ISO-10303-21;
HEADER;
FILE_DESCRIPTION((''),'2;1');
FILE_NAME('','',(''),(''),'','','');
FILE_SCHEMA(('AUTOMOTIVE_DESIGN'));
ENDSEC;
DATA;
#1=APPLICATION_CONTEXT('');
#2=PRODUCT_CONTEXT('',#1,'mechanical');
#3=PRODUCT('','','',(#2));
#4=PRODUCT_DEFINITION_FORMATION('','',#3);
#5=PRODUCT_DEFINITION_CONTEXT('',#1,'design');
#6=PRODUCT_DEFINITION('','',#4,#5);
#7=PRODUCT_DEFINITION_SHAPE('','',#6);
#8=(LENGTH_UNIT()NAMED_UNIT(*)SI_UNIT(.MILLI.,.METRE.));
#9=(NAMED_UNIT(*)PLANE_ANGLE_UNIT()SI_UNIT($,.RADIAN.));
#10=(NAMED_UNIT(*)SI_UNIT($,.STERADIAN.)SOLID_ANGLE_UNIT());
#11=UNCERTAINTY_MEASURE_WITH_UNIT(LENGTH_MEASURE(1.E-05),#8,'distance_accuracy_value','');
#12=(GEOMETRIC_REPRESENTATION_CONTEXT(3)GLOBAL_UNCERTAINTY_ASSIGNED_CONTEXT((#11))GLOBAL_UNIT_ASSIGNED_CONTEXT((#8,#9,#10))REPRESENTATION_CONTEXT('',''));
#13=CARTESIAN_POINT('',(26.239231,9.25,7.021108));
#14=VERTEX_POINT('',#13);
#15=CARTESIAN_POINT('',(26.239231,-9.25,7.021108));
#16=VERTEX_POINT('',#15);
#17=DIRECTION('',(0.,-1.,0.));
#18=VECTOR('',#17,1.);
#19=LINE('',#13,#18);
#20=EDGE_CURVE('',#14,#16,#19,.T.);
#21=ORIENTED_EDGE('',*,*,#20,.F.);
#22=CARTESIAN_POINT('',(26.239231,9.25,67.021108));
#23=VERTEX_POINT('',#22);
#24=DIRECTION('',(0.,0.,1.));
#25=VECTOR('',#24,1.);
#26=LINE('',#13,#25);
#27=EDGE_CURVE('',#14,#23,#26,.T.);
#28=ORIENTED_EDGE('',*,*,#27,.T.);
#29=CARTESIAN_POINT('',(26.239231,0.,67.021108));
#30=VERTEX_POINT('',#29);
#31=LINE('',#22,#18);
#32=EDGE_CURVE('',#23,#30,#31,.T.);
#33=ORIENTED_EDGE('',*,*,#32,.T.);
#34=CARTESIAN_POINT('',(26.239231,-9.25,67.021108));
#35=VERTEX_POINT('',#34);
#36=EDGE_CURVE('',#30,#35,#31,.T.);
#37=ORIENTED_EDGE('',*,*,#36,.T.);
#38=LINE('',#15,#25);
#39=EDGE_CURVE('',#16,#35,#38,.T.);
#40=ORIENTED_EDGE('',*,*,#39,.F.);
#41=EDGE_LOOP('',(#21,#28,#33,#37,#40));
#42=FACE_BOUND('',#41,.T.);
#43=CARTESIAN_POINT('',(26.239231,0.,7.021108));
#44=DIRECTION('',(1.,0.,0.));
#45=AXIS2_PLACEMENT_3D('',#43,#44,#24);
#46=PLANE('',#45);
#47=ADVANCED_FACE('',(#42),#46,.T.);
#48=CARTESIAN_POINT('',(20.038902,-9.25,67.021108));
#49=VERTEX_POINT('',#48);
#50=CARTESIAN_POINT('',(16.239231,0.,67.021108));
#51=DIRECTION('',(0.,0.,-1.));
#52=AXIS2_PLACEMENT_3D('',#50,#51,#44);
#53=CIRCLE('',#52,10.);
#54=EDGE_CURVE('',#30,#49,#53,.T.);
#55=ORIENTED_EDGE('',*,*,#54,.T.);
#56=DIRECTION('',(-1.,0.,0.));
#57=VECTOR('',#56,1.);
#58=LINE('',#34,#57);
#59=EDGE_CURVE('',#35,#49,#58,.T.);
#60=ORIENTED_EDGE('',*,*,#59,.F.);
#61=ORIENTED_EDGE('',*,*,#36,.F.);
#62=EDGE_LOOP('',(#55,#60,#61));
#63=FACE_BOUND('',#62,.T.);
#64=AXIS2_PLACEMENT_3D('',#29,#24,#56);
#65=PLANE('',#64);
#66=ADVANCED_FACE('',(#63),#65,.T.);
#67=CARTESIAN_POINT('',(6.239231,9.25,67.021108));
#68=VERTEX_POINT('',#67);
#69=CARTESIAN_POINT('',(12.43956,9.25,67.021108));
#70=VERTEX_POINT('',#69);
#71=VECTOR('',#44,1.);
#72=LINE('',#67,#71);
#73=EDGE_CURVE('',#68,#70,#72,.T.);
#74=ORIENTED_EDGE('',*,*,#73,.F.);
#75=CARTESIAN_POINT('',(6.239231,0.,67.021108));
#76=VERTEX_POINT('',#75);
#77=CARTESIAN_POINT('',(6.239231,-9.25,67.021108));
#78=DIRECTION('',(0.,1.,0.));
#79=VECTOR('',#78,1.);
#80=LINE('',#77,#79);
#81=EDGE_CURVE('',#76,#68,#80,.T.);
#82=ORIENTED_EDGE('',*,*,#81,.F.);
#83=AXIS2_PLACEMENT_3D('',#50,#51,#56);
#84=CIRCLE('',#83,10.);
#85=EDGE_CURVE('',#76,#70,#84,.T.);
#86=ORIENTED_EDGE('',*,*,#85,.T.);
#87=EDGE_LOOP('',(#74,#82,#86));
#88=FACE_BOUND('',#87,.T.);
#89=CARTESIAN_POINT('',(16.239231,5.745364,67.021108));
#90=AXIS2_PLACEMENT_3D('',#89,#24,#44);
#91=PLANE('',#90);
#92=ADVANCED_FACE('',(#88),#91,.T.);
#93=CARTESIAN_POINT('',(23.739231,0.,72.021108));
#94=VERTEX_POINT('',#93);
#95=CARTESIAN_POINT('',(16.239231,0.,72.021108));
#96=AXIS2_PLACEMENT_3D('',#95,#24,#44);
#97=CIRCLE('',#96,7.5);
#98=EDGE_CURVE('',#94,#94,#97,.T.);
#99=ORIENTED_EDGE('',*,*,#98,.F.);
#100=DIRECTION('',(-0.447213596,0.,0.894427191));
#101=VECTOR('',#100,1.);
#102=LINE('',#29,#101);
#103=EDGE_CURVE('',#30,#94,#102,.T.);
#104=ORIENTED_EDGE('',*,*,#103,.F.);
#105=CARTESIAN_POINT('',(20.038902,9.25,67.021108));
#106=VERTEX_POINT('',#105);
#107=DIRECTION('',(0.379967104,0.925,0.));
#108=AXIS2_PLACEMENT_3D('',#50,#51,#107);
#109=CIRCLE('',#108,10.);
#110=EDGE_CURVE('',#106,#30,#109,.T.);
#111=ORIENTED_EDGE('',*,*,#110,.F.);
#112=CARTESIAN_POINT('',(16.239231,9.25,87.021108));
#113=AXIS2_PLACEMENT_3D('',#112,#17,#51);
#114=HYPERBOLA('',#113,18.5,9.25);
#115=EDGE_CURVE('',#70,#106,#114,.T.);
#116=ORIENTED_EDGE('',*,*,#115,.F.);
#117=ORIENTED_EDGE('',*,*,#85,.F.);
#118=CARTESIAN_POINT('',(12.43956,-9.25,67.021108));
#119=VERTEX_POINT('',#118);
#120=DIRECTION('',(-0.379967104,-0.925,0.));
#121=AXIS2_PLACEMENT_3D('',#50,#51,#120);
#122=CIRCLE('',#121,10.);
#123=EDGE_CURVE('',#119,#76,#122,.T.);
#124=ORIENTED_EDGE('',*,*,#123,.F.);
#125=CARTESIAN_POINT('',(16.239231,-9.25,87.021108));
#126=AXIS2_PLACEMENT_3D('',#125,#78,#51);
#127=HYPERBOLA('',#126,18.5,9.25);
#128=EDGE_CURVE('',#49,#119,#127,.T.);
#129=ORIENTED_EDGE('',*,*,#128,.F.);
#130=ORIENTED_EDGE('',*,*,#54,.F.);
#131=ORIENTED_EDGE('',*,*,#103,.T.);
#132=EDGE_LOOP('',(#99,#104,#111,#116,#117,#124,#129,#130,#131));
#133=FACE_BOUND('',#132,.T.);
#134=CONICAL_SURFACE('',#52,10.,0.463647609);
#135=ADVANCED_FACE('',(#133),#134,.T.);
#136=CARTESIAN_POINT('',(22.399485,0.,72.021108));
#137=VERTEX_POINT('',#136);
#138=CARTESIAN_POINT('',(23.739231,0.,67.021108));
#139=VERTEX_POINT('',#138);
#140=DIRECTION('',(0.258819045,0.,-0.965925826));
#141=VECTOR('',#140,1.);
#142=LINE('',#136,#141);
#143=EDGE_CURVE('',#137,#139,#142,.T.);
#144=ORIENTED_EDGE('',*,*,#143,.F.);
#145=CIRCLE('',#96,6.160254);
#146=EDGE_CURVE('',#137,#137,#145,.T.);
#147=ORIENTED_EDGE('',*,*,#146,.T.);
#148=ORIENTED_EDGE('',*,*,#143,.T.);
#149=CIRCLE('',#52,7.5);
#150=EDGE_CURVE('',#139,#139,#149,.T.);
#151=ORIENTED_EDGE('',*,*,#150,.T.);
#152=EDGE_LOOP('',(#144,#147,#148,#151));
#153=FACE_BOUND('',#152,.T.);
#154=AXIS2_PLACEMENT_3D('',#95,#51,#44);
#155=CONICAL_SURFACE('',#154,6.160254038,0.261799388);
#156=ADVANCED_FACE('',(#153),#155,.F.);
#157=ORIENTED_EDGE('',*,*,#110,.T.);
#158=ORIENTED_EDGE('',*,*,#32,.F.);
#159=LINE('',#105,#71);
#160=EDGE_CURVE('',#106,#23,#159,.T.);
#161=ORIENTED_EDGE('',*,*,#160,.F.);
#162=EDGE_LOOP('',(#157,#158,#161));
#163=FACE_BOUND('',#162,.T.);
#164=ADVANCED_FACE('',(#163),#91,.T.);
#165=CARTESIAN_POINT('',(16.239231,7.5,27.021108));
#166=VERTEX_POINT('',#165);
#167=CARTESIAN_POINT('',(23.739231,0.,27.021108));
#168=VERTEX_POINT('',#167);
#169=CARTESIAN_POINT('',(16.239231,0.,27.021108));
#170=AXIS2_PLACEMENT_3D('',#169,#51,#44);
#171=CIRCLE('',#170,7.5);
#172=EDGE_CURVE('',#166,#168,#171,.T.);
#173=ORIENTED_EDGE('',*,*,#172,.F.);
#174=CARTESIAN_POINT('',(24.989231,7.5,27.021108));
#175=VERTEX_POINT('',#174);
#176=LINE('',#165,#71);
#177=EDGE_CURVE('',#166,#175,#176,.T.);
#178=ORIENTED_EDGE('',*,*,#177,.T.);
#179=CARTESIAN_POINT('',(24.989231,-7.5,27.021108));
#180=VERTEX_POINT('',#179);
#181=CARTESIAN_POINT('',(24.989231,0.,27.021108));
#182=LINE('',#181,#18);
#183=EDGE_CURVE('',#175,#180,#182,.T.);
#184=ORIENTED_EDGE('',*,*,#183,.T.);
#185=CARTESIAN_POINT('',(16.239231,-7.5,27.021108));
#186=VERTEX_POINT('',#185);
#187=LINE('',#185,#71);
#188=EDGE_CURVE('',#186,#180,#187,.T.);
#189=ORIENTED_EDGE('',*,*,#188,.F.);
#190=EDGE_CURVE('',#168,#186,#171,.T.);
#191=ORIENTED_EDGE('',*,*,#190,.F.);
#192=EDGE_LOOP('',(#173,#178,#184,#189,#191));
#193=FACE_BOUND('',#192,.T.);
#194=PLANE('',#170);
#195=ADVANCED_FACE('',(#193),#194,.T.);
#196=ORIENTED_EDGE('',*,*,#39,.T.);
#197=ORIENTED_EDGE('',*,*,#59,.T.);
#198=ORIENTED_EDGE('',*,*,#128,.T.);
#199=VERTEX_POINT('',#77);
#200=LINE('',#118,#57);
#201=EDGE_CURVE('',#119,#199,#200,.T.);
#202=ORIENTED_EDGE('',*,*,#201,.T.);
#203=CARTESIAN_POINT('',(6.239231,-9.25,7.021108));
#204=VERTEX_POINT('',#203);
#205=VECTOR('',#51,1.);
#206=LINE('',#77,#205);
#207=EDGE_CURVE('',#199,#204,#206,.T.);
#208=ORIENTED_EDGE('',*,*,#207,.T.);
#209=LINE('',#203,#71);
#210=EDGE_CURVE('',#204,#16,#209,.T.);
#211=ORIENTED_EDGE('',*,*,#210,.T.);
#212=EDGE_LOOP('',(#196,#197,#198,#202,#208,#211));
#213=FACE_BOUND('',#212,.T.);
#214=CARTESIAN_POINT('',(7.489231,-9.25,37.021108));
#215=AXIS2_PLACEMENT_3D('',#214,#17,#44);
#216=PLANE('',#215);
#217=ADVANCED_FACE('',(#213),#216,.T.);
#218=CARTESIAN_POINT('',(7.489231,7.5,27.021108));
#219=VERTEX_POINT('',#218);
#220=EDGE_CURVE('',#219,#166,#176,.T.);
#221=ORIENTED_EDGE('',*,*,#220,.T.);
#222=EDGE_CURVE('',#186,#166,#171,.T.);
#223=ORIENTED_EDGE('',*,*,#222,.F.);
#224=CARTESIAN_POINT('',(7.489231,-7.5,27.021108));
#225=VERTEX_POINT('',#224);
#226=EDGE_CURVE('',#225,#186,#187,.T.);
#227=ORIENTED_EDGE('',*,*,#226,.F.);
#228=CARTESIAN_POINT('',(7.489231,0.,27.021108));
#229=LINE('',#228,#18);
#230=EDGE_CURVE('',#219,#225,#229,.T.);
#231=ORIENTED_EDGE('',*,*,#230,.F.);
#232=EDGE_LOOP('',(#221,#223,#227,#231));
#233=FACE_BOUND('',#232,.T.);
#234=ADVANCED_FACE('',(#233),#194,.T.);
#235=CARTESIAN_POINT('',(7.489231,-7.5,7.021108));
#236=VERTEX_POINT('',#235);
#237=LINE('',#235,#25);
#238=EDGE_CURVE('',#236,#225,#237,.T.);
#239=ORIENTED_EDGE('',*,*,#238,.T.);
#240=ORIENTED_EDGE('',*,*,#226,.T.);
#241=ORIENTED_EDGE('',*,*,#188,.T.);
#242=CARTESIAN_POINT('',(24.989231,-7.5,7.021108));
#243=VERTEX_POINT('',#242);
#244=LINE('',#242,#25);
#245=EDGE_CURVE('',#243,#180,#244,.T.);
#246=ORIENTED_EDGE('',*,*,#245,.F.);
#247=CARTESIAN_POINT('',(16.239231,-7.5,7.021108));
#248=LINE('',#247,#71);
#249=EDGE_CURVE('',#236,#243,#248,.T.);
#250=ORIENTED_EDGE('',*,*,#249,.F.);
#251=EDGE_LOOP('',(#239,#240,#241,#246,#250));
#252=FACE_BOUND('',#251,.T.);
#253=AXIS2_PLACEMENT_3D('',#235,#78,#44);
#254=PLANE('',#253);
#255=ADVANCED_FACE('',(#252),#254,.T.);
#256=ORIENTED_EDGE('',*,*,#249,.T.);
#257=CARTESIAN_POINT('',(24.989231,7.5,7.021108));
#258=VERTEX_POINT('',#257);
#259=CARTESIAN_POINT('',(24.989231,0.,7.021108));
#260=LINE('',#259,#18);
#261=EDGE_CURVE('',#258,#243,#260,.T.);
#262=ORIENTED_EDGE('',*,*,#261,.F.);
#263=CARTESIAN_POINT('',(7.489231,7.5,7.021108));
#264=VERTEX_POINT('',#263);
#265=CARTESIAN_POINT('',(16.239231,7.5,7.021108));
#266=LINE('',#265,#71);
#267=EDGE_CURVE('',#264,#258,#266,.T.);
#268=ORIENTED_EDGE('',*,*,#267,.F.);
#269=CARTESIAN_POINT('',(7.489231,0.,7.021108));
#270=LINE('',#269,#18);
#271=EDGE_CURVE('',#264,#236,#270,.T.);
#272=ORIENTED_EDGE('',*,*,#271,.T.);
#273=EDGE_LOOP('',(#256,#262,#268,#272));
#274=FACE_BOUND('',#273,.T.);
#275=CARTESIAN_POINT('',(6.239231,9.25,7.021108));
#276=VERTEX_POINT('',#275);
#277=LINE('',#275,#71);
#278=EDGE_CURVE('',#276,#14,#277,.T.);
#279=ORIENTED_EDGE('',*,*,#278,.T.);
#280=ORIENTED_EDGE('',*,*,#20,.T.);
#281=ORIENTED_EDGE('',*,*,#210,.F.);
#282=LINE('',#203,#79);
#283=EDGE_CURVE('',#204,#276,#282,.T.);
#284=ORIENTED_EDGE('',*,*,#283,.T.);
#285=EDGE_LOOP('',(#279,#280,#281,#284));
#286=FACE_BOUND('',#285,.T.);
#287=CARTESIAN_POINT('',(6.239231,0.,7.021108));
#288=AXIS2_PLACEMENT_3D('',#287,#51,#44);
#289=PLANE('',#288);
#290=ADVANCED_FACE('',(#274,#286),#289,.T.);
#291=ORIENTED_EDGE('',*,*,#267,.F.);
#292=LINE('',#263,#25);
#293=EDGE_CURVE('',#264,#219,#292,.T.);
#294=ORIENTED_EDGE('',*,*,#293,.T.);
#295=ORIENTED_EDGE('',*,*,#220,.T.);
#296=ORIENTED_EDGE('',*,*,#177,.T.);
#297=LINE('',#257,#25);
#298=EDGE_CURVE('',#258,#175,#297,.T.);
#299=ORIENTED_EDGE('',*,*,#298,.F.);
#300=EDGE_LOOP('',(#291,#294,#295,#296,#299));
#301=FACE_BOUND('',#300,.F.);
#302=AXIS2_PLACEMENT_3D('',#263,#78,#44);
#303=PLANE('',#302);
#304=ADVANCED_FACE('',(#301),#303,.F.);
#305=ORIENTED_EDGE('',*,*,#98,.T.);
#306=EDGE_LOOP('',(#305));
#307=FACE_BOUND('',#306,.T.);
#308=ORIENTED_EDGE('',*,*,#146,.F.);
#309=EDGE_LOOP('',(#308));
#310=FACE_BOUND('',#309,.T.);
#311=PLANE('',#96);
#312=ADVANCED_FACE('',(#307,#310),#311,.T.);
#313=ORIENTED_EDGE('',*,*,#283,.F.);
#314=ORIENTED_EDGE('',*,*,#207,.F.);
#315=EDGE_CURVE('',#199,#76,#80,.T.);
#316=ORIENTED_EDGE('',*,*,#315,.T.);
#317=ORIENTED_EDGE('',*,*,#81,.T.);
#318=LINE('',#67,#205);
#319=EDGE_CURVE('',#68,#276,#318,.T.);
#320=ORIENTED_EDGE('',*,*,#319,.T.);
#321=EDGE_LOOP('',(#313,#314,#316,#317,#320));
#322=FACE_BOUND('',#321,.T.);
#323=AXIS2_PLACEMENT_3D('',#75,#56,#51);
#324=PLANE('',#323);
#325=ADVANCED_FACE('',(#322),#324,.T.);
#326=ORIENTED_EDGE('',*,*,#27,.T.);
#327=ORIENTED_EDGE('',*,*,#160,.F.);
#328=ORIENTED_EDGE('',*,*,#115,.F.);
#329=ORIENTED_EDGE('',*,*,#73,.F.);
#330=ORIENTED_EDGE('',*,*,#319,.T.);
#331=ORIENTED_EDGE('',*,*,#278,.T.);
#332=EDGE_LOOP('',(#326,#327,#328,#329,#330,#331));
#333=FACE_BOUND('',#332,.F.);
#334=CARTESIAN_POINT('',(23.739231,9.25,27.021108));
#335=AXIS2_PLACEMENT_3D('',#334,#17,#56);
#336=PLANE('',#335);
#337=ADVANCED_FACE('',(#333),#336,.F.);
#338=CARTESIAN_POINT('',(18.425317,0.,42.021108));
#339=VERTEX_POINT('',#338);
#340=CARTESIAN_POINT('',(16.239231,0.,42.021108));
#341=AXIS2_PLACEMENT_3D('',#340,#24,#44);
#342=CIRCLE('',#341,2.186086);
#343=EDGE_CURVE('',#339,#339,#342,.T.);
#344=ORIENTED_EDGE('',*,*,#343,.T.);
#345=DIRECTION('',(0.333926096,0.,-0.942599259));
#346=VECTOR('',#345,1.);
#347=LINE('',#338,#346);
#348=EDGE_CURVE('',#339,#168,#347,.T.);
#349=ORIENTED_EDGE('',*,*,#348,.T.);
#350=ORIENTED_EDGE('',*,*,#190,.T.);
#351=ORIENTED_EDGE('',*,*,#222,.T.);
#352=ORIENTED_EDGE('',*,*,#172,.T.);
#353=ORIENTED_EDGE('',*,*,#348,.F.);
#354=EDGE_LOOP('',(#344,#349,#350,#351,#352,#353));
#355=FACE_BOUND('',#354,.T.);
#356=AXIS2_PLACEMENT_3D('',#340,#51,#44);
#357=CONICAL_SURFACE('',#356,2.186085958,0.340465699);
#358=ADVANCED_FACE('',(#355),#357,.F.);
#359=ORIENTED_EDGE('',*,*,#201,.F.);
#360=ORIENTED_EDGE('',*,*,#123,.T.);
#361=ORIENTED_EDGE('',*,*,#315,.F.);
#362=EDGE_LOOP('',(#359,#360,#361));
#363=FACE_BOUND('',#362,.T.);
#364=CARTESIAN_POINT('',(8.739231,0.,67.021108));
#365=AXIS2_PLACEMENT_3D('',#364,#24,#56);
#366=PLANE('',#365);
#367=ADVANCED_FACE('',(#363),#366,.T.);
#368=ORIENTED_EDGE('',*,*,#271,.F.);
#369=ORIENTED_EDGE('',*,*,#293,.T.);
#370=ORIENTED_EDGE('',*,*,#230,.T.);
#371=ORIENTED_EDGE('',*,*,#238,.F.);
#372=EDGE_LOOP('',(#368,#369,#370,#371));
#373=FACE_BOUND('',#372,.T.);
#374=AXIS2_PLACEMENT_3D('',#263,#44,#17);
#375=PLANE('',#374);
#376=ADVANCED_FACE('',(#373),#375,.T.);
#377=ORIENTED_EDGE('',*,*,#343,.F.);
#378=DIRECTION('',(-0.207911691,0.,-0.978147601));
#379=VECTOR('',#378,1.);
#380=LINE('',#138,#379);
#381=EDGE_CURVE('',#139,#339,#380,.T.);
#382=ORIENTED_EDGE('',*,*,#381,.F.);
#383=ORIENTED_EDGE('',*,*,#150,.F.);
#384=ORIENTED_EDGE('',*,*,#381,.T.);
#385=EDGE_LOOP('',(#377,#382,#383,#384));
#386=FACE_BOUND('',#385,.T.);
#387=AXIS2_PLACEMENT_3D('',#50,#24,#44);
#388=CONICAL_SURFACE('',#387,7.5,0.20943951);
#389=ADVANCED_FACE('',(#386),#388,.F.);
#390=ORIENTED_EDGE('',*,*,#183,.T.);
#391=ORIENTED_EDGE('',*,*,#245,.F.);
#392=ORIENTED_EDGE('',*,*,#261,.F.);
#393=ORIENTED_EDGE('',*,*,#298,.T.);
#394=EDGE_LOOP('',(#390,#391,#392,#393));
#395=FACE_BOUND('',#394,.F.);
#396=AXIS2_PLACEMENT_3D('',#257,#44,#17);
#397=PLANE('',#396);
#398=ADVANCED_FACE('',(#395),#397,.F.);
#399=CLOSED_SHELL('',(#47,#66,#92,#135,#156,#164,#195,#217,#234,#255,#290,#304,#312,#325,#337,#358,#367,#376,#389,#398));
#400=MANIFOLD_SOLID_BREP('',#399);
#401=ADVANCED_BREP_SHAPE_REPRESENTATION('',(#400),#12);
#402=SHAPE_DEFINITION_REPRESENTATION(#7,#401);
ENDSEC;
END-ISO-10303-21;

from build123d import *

# Parameters (mm, degrees)
F0_W      = 7.5
F0_H      = 20
F2_DEPTH  = 9.25
F4_DEPTH  = 40
F7_DEPTH  = 5
F9_W      = 17.5
F9_H      = 15
F10_DEPTH = 20


with BuildPart() as f1:
    # F0 (on Front) → F1 (revolve)
    with BuildSketch(Plane.XZ):
        Polygon((18.4253171254, 42.021107682), (23.7392311672, 27.021107682), (23.7392311672, 67.021107682), align=None)
    revolve(axis=Axis((16.2392311672, 0, 39.521107682), (0, 0, 1)))


with BuildPart() as f1b:
    # F0 (on Front) → F1, piece 2 (revolve)
    with BuildSketch(Plane.XZ):
        Polygon((22.399485205, 72.021107682), (23.7392311672, 67.021107682), (23.7392311672, 72.021107682), align=None)
        Polygon((23.7392311672, 72.021107682), (23.7392311672, 67.021107682), (26.2392311672, 67.021107682), align=None)
    revolve(axis=Axis((16.2392311672, 0, 39.521107682), (0, 0, 1)))

    # F6 (on face) → F7 (cut, through all)
    with BuildSketch(Plane(origin=(0, 0, 67.021107682), x_dir=(1, 0, 0), z_dir=(0, 0, -1))):
        with BuildLine():
            Line((12.4395601288, 9.25), (20.0389022056, 9.25))
            ThreePointArc((20.0389022056, 9.25), (16.2392311672, 10), (12.4395601288, 9.25))
        make_face()
        with BuildLine():
            ThreePointArc((12.4395601288, -9.25), (16.2392311672, -10), (20.0389022056, -9.25))
            Line((20.0389022056, -9.25), (12.4395601288, -9.25))
        make_face()
    extrude(amount=-F7_DEPTH, mode=Mode.SUBTRACT)


with BuildPart() as f2:
    # F0 (on Front) → F2 (new body, symmetric)
    with BuildSketch(Plane.XZ):
        Polygon((6.2392311672, 7.021107682), (8.7392311672, 7.021107682), (8.7392311672, 27.021107682), (8.7392311672, 67.021107682), (6.2392311672, 67.021107682), align=None)
        Polygon((23.7392311672, 27.021107682), (23.7392311672, 7.021107682), (26.2392311672, 7.021107682), (26.2392311672, 67.021107682), (23.7392311672, 67.021107682), align=None)
        with Locations((12.4892311672, 17.021107682)):
            Rectangle(F0_W, F0_H)
        with Locations((19.9892311672, 17.021107682)):
            Rectangle(F0_W, F0_H)
    extrude(amount=F2_DEPTH, both=True)


with BuildPart() as f4:
    # F3 (on face) → F4 (new body, through all)
    with BuildSketch(Plane.XY.offset(27.021107682)):
        with BuildLine():
            Line((23.7392311672, -9.25), (23.7392311672, 0))
            ThreePointArc((23.7392311672, 0), (16.2392311556, -7.5), (8.7392311672, 2.31e-08))
            Line((8.7392311672, 2.31e-08), (8.7392311672, -9.25))
            Line((8.7392311672, -9.25), (23.7392311672, -9.25))
        make_face()
    extrude(amount=F4_DEPTH)


with BuildPart() as f4b:
    # F3 (on face) → F4, piece 2 (new body, through all)
    with BuildSketch(Plane.XY.offset(27.021107682)):
        with BuildLine():
            Line((23.7392311672, 0), (23.7392311672, 9.25))
            Line((23.7392311672, 9.25), (8.7392311672, 9.25))
            Line((8.7392311672, 9.25), (8.7392311672, 2.31e-08))
            ThreePointArc((8.7392311672, 2.31e-08), (16.2392311787, 7.5), (23.7392311672, 0))
        make_face()
    extrude(amount=F4_DEPTH)


with BuildPart() as f4_1:
    add(f4.part)

    # F8: union F1b, F2, F1, F4b
    add(f1b.part)
    add(f2.part)
    add(f1.part)
    add(f4b.part)

    # F9 (on face) → F10 (cut)
    with BuildSketch(Plane(origin=(0, 0, 7.021107682), x_dir=(1, 0, 0), z_dir=(0, 0, -1))):
        with Locations((16.2392311672, 0)):
            Rectangle(F9_W, F9_H)
    extrude(amount=-F10_DEPTH, mode=Mode.SUBTRACT)


solid = f4_1.part
